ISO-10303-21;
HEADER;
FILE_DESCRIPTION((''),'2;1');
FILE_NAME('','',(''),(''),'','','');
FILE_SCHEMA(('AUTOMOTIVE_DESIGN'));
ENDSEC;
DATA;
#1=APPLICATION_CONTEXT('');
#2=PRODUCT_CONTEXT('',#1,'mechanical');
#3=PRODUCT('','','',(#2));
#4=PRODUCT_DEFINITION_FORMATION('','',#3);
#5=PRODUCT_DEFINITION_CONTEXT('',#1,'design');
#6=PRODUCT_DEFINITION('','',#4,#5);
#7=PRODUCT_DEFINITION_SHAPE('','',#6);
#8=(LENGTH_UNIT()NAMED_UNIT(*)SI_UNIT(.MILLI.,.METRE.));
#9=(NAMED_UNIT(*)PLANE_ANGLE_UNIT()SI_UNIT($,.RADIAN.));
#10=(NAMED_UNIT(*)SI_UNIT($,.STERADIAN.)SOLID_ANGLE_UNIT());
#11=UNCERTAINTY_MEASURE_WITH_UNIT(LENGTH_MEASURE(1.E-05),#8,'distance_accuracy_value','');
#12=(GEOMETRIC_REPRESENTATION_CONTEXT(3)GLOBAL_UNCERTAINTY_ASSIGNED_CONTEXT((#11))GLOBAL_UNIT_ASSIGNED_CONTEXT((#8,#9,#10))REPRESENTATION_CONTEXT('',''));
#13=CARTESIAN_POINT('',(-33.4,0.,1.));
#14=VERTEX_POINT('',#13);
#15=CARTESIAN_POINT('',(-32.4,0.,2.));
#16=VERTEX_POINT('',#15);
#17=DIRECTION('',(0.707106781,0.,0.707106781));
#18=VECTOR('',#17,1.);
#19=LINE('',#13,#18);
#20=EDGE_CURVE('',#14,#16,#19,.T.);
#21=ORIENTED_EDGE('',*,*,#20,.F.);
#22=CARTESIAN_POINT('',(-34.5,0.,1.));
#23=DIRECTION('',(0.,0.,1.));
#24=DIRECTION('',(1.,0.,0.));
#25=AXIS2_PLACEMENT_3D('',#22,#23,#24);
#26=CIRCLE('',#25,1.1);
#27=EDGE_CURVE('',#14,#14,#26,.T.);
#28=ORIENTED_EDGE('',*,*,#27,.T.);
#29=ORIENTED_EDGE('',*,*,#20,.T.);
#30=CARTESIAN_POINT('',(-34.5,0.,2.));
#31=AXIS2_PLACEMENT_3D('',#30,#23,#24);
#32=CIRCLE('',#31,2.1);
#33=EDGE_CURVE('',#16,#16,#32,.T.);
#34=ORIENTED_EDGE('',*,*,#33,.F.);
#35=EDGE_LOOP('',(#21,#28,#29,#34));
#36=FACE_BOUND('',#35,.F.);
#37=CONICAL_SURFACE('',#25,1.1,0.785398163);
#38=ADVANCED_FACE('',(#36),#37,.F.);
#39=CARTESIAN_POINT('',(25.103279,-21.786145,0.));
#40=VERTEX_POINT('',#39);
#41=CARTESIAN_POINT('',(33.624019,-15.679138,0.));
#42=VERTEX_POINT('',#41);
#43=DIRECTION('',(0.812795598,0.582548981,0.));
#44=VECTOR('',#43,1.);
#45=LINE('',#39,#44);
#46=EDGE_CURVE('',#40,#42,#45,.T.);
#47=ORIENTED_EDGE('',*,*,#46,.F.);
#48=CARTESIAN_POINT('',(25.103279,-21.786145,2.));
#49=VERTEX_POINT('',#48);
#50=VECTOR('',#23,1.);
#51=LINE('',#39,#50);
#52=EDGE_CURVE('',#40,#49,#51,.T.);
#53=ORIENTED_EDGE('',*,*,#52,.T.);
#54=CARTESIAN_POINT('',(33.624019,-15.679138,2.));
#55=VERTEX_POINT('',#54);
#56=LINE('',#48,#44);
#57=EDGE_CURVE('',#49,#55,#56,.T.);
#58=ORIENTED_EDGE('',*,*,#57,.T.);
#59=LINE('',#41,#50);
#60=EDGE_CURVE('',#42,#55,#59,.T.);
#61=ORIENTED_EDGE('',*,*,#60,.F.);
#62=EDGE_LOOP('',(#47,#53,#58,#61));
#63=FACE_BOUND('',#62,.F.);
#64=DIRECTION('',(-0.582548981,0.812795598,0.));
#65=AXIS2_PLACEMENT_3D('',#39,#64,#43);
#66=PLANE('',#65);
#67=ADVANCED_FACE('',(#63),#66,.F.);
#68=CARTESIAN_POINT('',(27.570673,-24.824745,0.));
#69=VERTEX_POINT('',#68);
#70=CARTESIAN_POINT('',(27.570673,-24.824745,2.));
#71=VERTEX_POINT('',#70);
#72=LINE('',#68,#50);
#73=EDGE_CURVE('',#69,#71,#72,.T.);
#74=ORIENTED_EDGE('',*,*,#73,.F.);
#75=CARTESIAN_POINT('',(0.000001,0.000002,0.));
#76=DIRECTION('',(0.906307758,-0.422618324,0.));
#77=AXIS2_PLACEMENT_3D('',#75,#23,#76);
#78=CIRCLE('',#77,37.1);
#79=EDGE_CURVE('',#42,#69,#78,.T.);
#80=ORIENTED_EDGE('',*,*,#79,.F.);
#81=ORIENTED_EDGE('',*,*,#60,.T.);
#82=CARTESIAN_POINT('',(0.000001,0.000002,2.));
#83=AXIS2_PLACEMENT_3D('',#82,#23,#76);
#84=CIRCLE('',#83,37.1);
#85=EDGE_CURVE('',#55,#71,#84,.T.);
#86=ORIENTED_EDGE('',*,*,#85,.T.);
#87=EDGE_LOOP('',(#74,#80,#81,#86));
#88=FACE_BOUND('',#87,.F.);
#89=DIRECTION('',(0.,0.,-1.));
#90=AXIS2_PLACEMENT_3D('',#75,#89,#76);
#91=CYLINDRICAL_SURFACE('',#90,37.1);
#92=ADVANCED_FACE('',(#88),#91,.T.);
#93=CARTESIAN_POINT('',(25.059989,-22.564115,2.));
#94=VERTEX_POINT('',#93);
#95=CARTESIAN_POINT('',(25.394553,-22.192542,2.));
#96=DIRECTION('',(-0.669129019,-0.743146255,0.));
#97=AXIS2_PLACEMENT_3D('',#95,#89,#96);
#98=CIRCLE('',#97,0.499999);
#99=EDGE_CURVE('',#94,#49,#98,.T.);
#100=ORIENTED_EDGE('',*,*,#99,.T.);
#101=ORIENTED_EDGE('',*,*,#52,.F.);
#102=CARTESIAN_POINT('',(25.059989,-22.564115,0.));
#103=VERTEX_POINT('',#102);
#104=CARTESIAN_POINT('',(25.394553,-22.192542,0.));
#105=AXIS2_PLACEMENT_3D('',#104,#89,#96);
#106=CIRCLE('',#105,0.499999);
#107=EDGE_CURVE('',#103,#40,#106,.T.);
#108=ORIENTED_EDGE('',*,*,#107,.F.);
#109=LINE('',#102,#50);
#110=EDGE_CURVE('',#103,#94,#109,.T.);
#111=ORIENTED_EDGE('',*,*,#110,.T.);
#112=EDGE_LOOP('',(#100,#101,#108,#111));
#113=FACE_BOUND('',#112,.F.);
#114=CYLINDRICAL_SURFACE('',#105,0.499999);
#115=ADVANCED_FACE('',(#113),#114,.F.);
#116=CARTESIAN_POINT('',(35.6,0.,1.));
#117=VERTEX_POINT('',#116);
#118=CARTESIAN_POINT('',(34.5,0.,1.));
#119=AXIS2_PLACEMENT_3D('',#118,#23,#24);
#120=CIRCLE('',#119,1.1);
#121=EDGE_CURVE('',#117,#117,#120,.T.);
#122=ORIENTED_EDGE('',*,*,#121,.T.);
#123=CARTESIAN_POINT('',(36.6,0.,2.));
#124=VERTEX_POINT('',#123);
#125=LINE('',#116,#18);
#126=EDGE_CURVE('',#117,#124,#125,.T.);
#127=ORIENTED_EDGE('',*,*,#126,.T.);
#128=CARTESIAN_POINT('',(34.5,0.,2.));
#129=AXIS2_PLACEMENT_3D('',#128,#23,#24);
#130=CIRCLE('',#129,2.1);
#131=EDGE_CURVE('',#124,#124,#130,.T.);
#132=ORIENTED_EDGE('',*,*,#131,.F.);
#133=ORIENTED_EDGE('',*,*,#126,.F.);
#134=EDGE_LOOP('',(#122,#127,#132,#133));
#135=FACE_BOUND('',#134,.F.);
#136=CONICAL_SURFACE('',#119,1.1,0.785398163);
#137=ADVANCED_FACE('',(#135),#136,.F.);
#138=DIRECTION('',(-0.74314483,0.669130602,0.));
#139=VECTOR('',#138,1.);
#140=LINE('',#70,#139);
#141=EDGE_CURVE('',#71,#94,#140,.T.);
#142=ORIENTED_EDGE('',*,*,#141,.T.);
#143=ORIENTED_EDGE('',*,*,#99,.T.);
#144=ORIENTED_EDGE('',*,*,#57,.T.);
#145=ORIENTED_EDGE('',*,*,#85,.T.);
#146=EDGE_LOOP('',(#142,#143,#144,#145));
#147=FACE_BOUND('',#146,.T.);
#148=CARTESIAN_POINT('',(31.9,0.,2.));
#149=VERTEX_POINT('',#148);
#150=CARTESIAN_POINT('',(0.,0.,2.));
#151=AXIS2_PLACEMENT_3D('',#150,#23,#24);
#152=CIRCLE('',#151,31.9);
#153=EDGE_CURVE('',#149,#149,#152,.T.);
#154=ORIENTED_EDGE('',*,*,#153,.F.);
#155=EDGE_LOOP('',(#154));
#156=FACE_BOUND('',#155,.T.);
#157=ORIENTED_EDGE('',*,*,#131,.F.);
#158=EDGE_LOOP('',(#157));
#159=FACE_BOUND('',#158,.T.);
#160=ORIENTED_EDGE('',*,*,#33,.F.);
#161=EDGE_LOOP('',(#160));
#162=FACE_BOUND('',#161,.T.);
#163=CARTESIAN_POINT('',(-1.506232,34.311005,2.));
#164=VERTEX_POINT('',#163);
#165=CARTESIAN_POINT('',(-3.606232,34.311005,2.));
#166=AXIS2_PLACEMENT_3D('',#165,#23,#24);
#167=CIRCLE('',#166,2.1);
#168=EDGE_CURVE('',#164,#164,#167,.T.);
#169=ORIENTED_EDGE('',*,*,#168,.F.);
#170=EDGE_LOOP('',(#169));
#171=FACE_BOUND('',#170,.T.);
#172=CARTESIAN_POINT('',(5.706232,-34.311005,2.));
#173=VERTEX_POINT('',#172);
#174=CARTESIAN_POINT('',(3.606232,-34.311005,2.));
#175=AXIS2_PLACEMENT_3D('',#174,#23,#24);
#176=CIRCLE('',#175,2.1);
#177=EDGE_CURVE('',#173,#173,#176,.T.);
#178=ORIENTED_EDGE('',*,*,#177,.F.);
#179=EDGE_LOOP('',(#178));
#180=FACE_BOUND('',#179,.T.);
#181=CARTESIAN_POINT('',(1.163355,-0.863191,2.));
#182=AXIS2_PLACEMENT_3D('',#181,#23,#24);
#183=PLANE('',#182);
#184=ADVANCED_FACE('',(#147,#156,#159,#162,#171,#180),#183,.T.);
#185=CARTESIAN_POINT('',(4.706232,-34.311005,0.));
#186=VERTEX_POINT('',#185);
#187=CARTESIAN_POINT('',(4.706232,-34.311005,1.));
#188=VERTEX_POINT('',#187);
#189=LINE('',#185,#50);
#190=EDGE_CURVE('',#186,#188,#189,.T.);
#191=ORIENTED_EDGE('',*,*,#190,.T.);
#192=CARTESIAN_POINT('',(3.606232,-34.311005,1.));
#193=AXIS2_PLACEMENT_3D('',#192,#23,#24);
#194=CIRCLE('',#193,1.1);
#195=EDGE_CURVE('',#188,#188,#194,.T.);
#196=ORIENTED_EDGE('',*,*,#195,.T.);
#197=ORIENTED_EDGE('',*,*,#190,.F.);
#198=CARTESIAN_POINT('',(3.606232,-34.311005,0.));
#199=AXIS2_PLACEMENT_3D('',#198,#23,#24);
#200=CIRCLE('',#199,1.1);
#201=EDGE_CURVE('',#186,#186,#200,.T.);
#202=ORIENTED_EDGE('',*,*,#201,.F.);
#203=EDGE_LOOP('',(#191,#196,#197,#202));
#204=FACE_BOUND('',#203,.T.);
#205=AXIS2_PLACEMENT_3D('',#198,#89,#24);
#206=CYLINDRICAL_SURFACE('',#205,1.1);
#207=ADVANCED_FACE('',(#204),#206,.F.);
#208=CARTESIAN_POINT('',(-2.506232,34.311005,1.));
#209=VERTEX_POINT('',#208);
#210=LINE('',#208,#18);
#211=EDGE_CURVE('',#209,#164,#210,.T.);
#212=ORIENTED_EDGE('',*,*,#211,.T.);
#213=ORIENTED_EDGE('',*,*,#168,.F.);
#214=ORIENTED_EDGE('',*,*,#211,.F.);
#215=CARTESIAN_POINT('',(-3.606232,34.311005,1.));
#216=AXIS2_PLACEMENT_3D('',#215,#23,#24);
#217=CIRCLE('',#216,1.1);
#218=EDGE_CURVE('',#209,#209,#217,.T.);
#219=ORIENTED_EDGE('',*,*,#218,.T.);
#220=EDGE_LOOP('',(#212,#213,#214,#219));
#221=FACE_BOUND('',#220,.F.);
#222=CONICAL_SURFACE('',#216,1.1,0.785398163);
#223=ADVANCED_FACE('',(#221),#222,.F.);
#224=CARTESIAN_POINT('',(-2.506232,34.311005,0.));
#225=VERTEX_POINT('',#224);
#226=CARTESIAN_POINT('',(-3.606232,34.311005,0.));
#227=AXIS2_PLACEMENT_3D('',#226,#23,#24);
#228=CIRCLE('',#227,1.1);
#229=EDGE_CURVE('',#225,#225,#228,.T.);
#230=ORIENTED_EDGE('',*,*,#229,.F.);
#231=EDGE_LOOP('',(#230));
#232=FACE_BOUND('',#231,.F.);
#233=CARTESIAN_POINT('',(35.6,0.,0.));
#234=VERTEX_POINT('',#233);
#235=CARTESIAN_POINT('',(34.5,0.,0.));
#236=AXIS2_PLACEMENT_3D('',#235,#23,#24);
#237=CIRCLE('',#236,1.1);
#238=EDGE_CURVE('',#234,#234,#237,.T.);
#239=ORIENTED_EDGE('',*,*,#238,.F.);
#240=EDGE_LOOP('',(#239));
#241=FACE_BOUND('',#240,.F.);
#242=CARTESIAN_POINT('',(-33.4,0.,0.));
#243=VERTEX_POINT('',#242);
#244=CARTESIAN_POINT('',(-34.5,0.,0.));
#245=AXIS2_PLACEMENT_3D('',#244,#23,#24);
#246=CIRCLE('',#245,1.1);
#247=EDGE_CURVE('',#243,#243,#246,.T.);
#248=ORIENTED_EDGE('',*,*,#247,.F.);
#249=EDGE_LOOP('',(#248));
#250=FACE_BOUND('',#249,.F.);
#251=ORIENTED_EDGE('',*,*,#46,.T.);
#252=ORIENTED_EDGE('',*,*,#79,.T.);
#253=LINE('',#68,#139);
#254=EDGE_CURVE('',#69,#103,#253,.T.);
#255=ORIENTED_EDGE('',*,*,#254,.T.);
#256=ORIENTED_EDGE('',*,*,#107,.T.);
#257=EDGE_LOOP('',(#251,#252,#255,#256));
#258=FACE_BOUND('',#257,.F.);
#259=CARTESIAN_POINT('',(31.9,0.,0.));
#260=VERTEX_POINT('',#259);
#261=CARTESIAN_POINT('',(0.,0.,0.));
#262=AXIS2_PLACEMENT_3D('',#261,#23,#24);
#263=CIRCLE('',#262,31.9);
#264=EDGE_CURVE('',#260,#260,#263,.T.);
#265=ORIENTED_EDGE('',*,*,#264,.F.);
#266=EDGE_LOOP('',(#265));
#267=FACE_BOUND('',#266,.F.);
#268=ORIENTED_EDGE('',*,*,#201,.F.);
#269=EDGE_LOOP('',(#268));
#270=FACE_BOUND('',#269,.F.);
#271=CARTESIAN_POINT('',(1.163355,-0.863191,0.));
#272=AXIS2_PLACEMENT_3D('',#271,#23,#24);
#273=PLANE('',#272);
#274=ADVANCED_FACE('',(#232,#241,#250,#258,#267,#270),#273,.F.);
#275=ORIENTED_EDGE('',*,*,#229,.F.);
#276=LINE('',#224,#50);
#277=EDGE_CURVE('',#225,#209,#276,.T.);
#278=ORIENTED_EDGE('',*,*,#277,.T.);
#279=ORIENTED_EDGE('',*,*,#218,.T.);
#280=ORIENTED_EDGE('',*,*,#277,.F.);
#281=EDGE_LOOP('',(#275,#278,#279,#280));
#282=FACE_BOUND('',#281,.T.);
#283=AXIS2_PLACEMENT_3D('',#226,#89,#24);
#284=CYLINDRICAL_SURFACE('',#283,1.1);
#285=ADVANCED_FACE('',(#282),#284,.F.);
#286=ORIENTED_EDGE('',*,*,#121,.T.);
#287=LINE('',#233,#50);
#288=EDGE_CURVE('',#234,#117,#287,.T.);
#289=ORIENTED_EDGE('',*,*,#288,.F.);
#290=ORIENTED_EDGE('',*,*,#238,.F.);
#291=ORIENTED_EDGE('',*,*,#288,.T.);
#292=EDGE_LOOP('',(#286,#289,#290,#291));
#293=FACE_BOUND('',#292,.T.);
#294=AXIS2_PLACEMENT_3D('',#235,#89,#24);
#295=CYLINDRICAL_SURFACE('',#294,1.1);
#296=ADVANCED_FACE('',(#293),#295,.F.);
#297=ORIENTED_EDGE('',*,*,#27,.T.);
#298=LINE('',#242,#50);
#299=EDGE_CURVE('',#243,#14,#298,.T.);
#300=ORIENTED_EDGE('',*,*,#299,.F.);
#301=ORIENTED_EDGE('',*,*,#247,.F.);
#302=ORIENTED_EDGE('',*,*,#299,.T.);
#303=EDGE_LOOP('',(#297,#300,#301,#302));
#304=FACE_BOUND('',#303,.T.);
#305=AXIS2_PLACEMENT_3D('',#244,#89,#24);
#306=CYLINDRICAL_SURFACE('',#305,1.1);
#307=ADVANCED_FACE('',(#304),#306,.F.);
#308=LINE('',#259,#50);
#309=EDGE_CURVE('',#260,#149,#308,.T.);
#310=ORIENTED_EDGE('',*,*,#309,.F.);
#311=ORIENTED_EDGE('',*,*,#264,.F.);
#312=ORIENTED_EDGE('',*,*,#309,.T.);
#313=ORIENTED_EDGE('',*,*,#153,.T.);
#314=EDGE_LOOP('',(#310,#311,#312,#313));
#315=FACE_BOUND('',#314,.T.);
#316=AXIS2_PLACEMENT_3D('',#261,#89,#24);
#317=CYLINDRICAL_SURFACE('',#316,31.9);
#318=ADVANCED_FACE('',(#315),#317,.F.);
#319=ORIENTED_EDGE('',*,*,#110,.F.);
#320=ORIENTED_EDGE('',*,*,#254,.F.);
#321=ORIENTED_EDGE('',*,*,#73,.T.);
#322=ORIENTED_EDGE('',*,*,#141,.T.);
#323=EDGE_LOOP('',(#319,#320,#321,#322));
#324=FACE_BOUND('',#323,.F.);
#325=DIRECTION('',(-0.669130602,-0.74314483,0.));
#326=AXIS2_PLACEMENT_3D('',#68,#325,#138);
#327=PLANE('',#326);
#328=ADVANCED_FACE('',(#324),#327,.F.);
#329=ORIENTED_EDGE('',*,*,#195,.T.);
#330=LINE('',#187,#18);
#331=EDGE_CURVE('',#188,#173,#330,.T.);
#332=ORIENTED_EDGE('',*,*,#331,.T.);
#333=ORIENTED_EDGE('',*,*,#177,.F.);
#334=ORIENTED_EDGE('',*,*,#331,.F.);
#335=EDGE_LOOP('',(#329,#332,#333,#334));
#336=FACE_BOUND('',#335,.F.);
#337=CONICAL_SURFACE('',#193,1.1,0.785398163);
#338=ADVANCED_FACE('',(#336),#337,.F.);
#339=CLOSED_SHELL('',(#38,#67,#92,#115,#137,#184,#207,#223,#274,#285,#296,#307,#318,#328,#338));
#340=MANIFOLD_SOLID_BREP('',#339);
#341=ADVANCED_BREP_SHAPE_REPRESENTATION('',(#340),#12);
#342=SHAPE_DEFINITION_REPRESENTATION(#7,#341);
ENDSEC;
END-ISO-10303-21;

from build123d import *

# Parameters (mm, degrees)
F0_R     = 1.1
F0_R_2   = 31.9
F1_DEPTH = 2
F2_SIZE2 = 1
F2_SIZE  = 1


with BuildPart() as f1:
    # F0 (on Top) → F1 (new body)
    with BuildSketch(Plane.XY):
        with BuildLine():
            Line((25.103279, -21.786145), (33.624019, -15.679138))
            ThreePointArc((33.624019, -15.679138), (-30.937164, 20.476862), (27.570673, -24.824745))
            Line((27.570673, -24.824745), (25.059989, -22.564115))
            ThreePointArc((25.059989, -22.564115), (24.895326, -22.164763), (25.103279, -21.786145))
        make_face()
        with Locations((3.606232, -34.311005)):
            Circle(F0_R, mode=Mode.SUBTRACT)
        with Locations((-34.5, 0)):
            Circle(F0_R, mode=Mode.SUBTRACT)
        with Locations((-3.606232, 34.311005)):
            Circle(F0_R, mode=Mode.SUBTRACT)
        Circle(F0_R_2, mode=Mode.SUBTRACT)
        with Locations((34.5, 0)):
            Circle(F0_R, mode=Mode.SUBTRACT)
    extrude(amount=F1_DEPTH)

    # F2
    f2_edges = [f1.edges().sort_by_distance(p)[0] for p in [
        (33.4, 0, 2),
        (-4.706232, 34.311005, 2),
        (-35.6, 0, 2),
        (2.506232, -34.311005, 2),
    ]]
    chamfer(f2_edges, length=F2_SIZE, length2=F2_SIZE2)


solid = f1.part
